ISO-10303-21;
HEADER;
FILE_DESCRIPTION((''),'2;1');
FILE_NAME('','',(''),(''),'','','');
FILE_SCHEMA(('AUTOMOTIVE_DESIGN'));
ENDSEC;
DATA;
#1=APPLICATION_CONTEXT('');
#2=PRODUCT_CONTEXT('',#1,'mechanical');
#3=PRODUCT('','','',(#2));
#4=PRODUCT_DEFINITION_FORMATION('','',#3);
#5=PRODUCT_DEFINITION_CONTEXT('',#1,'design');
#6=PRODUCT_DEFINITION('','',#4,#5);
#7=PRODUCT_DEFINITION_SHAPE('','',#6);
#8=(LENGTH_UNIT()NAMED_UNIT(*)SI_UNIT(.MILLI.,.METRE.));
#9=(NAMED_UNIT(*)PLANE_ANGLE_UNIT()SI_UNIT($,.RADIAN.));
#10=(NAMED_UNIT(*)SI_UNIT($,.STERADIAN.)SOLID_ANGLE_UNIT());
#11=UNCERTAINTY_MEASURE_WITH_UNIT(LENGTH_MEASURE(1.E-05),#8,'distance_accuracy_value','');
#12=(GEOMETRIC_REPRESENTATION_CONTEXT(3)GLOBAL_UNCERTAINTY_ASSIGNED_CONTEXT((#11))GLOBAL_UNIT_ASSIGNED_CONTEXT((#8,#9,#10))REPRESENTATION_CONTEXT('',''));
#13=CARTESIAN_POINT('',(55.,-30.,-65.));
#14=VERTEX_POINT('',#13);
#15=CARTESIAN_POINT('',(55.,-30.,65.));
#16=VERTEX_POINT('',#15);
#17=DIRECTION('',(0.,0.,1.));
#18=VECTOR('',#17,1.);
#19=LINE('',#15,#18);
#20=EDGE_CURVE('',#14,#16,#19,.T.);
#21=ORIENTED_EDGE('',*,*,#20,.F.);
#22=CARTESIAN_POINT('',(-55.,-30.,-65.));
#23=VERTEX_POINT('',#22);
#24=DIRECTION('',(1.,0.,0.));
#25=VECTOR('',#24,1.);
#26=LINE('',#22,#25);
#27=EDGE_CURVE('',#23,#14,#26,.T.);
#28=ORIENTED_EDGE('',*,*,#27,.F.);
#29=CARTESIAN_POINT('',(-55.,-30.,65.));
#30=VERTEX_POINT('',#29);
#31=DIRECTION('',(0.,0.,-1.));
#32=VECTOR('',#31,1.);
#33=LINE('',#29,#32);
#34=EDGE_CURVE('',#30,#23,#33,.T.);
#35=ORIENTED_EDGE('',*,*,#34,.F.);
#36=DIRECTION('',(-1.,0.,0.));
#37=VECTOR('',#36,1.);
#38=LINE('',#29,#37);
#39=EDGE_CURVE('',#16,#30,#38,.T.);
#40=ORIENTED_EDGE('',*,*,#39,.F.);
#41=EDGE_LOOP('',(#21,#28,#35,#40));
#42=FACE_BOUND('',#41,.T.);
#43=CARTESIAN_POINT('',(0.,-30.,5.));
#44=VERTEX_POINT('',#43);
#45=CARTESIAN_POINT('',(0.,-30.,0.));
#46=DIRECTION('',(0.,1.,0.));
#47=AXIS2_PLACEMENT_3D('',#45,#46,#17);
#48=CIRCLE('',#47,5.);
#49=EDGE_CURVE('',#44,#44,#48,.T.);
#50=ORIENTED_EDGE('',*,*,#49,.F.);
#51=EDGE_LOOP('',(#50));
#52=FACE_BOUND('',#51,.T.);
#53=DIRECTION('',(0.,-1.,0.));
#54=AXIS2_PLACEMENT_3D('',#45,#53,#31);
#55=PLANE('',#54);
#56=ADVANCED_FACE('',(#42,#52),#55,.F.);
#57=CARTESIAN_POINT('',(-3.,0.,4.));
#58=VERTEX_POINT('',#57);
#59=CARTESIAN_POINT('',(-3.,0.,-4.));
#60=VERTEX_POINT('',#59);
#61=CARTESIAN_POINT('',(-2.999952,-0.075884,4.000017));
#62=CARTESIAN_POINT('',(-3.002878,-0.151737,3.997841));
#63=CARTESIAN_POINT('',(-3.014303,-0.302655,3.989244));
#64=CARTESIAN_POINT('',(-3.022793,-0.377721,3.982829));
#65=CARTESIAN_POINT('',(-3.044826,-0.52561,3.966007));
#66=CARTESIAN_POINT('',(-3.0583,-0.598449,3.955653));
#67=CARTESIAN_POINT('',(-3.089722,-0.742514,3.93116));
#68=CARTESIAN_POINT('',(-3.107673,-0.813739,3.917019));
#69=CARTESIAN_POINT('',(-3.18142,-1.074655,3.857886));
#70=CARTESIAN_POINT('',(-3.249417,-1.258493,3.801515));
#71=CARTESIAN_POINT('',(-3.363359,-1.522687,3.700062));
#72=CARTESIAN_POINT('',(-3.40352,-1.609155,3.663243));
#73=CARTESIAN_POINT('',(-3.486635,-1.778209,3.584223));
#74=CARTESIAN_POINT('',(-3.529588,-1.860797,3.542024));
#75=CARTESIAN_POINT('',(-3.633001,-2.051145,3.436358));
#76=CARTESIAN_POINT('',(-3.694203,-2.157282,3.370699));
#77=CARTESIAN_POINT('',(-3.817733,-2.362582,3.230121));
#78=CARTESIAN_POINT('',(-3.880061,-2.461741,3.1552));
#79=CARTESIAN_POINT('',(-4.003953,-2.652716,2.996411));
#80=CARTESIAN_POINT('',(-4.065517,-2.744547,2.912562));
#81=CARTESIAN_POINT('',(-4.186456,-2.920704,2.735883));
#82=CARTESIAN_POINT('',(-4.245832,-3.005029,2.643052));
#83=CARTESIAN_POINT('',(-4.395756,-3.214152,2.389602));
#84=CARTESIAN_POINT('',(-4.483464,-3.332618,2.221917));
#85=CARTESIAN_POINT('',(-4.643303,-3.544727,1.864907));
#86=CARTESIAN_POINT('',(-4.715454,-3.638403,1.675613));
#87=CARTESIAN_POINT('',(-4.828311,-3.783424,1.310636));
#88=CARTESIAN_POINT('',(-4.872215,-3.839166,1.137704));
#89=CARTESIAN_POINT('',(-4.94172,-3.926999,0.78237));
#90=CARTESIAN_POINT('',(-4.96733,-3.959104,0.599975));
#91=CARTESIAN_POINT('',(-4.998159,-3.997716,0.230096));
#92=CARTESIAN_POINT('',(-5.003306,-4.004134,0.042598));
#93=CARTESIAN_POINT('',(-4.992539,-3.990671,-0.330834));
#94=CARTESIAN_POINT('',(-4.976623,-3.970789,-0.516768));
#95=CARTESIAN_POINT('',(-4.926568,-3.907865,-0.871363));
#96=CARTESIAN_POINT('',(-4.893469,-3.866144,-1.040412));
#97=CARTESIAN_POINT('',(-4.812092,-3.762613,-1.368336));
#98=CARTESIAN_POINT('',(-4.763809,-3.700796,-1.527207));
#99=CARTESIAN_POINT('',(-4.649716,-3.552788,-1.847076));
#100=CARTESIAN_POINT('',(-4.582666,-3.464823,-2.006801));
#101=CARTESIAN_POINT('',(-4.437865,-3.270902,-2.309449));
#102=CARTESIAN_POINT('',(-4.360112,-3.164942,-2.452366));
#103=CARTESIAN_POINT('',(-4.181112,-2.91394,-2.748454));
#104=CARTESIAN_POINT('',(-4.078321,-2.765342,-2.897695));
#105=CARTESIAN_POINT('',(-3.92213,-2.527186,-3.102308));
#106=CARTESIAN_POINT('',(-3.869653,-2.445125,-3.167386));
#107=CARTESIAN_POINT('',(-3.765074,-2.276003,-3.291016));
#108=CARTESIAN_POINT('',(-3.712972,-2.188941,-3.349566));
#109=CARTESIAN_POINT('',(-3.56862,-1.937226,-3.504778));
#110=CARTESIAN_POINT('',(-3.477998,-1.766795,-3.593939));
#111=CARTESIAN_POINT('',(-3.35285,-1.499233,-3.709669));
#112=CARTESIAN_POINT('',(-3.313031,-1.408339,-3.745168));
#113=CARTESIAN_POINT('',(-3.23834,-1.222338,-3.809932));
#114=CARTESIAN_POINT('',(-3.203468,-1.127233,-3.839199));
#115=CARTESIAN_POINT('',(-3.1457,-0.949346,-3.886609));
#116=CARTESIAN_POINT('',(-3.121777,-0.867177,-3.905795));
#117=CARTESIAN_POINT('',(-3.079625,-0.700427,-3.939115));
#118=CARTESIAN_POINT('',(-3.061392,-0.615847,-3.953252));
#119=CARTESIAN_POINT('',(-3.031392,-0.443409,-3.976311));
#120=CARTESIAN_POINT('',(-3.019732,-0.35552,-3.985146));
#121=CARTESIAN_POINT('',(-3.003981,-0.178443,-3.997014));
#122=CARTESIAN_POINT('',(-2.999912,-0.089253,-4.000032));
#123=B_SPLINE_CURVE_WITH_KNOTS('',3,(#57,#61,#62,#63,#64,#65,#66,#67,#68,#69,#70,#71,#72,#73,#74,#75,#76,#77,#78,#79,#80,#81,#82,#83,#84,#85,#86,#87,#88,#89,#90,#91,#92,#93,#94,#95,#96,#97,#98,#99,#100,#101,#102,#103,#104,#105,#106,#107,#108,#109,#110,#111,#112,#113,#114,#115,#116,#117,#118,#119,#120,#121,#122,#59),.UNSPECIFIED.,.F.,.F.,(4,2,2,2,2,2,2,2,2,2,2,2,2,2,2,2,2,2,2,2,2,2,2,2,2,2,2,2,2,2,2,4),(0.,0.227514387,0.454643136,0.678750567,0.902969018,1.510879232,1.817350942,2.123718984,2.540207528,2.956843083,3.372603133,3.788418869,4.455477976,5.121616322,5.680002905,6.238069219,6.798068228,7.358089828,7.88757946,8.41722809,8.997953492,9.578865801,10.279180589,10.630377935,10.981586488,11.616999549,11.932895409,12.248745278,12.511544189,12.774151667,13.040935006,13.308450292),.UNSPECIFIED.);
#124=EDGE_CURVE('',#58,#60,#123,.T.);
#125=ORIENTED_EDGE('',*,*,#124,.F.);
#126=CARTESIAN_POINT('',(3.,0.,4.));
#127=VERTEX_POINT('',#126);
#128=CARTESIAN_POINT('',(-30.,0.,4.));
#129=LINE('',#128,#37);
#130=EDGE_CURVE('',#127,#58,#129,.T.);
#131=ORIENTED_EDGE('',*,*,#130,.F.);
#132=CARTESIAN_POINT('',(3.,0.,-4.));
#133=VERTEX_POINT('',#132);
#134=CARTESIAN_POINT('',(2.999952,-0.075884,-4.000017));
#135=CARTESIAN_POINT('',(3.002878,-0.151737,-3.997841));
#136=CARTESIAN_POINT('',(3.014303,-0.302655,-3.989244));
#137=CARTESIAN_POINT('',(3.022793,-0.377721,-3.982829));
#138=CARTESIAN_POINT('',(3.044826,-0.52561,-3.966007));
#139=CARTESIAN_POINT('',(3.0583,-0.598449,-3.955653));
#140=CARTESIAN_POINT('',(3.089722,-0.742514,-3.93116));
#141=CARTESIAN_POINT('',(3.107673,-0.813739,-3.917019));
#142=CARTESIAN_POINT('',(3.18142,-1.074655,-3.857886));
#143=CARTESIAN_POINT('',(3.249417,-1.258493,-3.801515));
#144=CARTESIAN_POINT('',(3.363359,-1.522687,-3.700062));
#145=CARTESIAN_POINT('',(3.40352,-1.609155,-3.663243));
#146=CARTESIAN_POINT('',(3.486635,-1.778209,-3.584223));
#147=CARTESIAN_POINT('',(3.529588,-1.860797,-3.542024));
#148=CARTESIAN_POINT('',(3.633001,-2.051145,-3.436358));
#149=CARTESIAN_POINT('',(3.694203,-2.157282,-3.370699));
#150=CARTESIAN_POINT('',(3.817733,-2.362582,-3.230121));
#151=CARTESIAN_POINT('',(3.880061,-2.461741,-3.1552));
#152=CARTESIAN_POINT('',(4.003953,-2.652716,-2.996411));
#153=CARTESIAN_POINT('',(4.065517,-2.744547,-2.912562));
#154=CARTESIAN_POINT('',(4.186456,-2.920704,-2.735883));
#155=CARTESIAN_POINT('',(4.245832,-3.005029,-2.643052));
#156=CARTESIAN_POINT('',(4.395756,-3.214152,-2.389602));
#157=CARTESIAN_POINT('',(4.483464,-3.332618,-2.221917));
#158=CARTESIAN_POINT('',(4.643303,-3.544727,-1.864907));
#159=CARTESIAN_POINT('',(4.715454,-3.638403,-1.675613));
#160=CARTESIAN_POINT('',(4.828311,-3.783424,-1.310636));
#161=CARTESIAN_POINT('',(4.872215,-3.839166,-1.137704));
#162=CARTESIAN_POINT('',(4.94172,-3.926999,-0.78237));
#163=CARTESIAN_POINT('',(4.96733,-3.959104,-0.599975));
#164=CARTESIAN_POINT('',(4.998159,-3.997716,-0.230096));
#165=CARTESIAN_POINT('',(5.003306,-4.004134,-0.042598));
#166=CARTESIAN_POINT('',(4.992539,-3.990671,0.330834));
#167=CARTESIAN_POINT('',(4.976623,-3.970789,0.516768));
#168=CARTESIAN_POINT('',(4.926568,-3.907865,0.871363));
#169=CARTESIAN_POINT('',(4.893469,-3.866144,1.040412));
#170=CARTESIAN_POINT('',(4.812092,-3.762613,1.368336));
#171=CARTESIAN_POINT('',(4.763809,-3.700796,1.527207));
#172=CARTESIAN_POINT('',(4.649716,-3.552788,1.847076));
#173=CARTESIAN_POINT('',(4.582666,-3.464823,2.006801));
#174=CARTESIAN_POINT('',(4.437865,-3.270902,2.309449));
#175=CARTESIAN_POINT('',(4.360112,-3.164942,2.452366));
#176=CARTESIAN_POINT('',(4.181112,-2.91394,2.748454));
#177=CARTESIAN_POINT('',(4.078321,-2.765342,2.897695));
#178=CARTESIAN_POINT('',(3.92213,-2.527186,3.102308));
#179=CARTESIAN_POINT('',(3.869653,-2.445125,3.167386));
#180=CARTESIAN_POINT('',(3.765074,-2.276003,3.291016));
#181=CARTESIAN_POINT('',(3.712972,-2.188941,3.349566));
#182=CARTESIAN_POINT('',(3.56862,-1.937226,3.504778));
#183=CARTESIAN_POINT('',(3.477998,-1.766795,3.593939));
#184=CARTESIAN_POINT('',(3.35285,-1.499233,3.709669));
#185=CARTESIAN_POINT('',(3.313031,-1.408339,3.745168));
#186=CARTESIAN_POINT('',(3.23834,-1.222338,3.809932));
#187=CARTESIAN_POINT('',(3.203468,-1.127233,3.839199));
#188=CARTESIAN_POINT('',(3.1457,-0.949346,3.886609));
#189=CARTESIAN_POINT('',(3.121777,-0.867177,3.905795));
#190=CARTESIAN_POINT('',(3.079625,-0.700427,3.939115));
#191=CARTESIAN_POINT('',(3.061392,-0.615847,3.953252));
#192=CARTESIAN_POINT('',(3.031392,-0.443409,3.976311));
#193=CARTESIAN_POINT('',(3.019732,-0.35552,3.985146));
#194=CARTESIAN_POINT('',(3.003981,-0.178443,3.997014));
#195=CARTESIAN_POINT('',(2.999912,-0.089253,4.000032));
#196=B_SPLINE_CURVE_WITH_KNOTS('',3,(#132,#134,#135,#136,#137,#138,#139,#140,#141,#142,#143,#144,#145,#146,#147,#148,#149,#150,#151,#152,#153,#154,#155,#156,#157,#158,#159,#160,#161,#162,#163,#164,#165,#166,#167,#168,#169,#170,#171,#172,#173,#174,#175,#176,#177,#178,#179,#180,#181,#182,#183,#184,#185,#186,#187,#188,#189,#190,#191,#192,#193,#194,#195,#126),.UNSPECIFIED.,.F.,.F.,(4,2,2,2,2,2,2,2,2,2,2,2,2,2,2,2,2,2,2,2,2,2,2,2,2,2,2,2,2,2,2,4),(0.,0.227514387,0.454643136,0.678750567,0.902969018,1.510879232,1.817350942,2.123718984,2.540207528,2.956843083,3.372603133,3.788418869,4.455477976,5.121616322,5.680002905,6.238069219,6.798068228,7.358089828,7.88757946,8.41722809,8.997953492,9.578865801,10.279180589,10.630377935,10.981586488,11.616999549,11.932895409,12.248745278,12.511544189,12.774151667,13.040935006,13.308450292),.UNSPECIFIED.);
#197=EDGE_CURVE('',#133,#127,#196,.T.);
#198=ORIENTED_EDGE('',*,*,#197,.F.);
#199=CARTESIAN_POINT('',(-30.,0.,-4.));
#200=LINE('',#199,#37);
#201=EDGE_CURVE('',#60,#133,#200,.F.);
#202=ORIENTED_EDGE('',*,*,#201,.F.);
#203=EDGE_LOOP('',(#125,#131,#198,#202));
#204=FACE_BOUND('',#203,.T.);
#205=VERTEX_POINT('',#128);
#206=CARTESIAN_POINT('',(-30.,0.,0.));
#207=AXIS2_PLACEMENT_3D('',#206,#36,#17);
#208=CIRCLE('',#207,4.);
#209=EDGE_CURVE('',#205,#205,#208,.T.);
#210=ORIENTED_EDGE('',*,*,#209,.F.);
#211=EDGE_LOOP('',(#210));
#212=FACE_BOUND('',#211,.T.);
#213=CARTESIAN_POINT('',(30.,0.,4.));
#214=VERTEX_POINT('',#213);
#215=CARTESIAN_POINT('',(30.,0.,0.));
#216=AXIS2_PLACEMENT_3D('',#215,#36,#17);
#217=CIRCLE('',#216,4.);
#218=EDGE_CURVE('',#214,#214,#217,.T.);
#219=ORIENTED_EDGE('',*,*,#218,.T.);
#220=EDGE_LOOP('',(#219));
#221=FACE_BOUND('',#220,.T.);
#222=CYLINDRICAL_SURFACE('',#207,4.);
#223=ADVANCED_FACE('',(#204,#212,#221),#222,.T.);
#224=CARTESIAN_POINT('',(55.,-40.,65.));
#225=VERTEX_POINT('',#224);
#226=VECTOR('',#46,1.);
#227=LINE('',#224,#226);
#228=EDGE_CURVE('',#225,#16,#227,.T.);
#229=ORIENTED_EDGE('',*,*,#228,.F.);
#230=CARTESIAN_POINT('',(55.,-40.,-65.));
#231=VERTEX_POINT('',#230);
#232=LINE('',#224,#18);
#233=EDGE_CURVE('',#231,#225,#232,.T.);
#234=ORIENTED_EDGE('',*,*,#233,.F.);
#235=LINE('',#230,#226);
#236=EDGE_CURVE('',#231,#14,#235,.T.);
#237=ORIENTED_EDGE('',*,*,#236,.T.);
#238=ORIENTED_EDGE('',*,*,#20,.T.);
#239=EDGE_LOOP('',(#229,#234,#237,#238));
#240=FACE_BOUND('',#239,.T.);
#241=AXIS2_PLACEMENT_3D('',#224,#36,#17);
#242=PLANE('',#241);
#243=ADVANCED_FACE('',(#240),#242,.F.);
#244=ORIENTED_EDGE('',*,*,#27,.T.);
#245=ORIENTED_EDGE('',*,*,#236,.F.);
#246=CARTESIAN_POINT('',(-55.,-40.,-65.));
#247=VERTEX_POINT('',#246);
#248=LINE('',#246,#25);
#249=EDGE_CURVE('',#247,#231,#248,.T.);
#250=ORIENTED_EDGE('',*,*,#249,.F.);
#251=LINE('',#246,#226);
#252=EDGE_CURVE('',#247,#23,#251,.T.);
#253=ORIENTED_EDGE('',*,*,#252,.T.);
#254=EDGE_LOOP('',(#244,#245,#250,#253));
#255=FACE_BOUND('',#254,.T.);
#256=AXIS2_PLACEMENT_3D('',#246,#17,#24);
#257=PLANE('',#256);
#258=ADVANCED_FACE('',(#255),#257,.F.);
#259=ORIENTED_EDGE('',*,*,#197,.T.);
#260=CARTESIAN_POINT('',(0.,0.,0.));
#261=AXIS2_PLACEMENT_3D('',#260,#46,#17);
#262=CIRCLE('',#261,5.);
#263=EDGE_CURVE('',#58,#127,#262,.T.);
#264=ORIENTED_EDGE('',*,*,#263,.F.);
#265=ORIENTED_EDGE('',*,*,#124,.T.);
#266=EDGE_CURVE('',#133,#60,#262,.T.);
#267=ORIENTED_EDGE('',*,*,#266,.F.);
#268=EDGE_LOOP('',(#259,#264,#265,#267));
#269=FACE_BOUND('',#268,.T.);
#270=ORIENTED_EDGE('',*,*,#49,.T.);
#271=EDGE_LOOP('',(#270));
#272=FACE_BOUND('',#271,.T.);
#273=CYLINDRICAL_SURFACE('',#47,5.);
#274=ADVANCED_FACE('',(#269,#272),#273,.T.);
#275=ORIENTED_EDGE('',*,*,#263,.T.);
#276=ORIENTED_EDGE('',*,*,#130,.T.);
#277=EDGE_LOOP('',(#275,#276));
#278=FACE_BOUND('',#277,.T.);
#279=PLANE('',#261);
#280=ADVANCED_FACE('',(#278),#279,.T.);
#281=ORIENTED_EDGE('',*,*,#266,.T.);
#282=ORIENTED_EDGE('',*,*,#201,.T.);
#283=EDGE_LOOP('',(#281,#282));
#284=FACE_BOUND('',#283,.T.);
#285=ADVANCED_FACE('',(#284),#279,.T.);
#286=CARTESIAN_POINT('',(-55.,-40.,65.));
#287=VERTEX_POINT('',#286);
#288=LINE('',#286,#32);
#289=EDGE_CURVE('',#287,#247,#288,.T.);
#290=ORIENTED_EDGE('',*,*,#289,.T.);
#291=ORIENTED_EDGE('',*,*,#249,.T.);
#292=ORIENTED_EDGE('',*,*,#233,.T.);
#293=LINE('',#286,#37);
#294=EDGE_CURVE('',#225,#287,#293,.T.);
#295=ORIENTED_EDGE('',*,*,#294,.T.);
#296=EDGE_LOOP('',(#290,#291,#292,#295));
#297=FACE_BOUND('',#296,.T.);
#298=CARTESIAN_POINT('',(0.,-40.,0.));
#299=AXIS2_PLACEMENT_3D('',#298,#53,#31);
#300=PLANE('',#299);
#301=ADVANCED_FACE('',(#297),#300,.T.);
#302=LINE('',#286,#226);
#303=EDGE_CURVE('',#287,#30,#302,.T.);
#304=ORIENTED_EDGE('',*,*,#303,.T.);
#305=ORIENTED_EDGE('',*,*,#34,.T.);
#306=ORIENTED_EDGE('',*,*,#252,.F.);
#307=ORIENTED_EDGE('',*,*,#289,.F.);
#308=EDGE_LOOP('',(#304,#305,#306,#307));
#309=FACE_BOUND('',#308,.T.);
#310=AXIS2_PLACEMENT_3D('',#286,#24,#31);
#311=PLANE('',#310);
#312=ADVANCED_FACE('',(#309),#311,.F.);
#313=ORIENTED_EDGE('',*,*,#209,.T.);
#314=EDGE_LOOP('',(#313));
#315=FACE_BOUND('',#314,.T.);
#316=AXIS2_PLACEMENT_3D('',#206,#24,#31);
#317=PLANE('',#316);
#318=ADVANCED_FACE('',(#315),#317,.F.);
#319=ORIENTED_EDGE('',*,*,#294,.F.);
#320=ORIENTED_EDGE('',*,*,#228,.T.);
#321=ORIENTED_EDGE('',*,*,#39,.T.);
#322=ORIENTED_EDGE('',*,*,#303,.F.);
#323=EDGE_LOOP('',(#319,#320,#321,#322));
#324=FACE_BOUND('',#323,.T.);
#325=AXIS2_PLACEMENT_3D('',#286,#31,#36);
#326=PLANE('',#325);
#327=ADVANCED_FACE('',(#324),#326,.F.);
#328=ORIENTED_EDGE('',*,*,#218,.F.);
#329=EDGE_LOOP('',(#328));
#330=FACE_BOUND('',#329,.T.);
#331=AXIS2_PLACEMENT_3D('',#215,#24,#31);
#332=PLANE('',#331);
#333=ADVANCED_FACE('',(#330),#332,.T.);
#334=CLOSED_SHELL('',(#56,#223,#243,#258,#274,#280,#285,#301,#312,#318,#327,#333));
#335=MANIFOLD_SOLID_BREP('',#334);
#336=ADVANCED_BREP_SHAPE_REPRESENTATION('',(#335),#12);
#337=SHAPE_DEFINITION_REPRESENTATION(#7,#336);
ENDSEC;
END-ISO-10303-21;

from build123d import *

# Parameters (mm, degrees)
SKETCH_1_W      = 60
SKETCH_1_H      = 4
SKETCH_3_R      = 5
EXTRUDE_2_DEPTH = 30
SKETCH_5_W      = 110
SKETCH_5_H      = 130
EXTRUDE_3_DEPTH = 10


with BuildPart() as part:
    # 草图1 → 旋转3 (revolve)
    with BuildSketch(Plane(origin=(0, 0, 0), x_dir=(1, 0, 0), z_dir=(0, 1, 0)), mode=Mode.PRIVATE) as revolve_3_sk:
        with Locations((0, 2)):
            Rectangle(SKETCH_1_W, SKETCH_1_H)
    revolve(revolve_3_sk.sketch.rotate(Axis((-30, 0, 0), (1, 0, 0)), 180), axis=Axis((-30, 0, 0), (1, 0, 0)))

    # 草图3 → 凸台-拉伸2 (add)
    with BuildSketch(Plane(origin=(0, 0, 0), x_dir=(1, 0, 0), z_dir=(0, 1, 0))):
        with Locations(Location((0, 0, 0), (0, 0, 270))):
            Circle(SKETCH_3_R)
    extrude(amount=-EXTRUDE_2_DEPTH)

    # 草图5 → 凸台-拉伸3 (add)
    with BuildSketch(Plane.XZ.offset(30)):
        Rectangle(SKETCH_5_W, SKETCH_5_H)
    extrude(amount=EXTRUDE_3_DEPTH)


solid = part.part
